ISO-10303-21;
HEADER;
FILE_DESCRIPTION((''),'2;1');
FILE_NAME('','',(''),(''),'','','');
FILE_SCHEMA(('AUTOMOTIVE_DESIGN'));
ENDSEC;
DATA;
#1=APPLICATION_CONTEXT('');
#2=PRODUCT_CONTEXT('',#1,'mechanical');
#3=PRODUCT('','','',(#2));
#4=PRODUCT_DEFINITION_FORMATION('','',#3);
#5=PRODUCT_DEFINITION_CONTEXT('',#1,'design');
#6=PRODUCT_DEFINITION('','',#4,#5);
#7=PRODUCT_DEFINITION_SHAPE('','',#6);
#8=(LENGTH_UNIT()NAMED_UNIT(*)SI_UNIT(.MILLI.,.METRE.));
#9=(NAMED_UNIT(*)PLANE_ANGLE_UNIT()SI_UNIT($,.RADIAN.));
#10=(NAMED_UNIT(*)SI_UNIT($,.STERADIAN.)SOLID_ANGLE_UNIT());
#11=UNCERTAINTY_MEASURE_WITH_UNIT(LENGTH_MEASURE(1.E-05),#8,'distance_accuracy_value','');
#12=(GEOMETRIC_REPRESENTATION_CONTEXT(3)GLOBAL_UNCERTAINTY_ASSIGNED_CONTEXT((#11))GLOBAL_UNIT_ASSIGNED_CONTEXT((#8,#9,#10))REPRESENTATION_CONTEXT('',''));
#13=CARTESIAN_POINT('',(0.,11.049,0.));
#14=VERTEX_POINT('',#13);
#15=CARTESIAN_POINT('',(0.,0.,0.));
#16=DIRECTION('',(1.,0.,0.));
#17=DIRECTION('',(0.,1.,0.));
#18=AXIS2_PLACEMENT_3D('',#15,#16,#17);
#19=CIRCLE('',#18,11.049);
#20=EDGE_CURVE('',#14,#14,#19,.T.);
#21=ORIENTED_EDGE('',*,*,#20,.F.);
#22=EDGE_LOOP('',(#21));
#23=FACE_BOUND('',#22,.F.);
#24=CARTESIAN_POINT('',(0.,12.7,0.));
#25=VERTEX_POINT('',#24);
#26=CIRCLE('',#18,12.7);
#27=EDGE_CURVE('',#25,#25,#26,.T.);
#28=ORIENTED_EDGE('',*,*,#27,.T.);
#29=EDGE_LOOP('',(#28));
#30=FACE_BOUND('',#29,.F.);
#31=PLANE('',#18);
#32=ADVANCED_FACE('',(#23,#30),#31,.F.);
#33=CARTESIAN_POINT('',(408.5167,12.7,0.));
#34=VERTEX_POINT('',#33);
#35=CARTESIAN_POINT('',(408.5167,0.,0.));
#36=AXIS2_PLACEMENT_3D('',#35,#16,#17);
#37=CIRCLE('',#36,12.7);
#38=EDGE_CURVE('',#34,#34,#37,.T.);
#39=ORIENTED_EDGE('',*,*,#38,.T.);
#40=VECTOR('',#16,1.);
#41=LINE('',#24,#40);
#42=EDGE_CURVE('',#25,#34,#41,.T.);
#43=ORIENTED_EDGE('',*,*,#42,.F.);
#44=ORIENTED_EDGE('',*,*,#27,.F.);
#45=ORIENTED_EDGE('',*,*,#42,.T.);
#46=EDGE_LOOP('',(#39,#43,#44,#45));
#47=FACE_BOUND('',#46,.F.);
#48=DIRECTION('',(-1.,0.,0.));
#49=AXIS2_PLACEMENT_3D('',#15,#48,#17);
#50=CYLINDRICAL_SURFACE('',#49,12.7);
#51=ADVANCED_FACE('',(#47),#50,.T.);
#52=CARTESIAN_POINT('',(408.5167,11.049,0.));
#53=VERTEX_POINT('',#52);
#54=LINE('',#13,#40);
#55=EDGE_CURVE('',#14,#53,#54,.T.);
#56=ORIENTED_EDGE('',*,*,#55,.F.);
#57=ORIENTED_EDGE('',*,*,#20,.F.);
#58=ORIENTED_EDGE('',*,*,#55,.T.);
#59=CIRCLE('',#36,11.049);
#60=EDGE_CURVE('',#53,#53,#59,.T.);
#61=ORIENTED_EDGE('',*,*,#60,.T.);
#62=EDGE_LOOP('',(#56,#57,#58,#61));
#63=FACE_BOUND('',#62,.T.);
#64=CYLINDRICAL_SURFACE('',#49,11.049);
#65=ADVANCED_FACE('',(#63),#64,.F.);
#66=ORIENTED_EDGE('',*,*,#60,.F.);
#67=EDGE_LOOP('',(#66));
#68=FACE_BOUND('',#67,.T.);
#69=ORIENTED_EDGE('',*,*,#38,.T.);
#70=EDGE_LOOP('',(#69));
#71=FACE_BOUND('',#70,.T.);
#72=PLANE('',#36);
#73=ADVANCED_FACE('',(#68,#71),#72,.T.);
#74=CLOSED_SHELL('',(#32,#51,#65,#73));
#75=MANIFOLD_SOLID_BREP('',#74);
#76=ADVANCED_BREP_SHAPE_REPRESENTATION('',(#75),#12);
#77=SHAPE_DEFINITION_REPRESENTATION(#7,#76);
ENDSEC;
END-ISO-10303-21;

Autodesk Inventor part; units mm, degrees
ref_plane "XZ Plane" through (0, 0, 0) normal (0, 1, 0) x (-1, 0, 0)
ref_plane "Start Plane" through (0, 0, 0) normal (1, 0, 0) x (0, 1, 0)
ref_plane "End Plane" through (408.5167, 0, 0) normal (1, 0, 0) x (0, 1, 0)
sketch "Sketch" plane through (0, 0, 0) normal (1, 0, 0) x (0, 1, 0)
  circle A0 centre (0, 0) radius 12.7
  circle A1 centre (0, 0) radius 11.049
  dimension "d0" = 25.4
  dimension "d1" = 1.651
extrude "Body" add sketch "Sketch" along normal up to surface (408.5167 mm away) from surface at 0
sketch "Sketch2" plane through (0, 0, 0) normal (1, 0, 0) x (0, 1, 0)
  line L0 (0, 0) -> (10, 0)
ref_plane "Work Plane3" through (0, 0, 0) normal (0, 0, -1) x (0, 1, 0)
sketch "Sketch3" plane through (0, 0, 0) normal (0, 0, -1) x (0, 1, 0)
  line L0 (-2, 0) -> (12, 0)
  line L1 (-2, 408.5167) -> (12, 408.5167)
  dimension "d9" = 408.5167
equation "\"G_OFFSET_START\" = 0"
equation "\"G_OFFSET_END\" = 0"
equation "\"d5\" = d2 + G_OFFSET_END"
equation "\"G_L\" = d9"
equation "\"d2\" = 408.516667"
properties part number "4130_1x0.065" material "Steel, Alloy"
